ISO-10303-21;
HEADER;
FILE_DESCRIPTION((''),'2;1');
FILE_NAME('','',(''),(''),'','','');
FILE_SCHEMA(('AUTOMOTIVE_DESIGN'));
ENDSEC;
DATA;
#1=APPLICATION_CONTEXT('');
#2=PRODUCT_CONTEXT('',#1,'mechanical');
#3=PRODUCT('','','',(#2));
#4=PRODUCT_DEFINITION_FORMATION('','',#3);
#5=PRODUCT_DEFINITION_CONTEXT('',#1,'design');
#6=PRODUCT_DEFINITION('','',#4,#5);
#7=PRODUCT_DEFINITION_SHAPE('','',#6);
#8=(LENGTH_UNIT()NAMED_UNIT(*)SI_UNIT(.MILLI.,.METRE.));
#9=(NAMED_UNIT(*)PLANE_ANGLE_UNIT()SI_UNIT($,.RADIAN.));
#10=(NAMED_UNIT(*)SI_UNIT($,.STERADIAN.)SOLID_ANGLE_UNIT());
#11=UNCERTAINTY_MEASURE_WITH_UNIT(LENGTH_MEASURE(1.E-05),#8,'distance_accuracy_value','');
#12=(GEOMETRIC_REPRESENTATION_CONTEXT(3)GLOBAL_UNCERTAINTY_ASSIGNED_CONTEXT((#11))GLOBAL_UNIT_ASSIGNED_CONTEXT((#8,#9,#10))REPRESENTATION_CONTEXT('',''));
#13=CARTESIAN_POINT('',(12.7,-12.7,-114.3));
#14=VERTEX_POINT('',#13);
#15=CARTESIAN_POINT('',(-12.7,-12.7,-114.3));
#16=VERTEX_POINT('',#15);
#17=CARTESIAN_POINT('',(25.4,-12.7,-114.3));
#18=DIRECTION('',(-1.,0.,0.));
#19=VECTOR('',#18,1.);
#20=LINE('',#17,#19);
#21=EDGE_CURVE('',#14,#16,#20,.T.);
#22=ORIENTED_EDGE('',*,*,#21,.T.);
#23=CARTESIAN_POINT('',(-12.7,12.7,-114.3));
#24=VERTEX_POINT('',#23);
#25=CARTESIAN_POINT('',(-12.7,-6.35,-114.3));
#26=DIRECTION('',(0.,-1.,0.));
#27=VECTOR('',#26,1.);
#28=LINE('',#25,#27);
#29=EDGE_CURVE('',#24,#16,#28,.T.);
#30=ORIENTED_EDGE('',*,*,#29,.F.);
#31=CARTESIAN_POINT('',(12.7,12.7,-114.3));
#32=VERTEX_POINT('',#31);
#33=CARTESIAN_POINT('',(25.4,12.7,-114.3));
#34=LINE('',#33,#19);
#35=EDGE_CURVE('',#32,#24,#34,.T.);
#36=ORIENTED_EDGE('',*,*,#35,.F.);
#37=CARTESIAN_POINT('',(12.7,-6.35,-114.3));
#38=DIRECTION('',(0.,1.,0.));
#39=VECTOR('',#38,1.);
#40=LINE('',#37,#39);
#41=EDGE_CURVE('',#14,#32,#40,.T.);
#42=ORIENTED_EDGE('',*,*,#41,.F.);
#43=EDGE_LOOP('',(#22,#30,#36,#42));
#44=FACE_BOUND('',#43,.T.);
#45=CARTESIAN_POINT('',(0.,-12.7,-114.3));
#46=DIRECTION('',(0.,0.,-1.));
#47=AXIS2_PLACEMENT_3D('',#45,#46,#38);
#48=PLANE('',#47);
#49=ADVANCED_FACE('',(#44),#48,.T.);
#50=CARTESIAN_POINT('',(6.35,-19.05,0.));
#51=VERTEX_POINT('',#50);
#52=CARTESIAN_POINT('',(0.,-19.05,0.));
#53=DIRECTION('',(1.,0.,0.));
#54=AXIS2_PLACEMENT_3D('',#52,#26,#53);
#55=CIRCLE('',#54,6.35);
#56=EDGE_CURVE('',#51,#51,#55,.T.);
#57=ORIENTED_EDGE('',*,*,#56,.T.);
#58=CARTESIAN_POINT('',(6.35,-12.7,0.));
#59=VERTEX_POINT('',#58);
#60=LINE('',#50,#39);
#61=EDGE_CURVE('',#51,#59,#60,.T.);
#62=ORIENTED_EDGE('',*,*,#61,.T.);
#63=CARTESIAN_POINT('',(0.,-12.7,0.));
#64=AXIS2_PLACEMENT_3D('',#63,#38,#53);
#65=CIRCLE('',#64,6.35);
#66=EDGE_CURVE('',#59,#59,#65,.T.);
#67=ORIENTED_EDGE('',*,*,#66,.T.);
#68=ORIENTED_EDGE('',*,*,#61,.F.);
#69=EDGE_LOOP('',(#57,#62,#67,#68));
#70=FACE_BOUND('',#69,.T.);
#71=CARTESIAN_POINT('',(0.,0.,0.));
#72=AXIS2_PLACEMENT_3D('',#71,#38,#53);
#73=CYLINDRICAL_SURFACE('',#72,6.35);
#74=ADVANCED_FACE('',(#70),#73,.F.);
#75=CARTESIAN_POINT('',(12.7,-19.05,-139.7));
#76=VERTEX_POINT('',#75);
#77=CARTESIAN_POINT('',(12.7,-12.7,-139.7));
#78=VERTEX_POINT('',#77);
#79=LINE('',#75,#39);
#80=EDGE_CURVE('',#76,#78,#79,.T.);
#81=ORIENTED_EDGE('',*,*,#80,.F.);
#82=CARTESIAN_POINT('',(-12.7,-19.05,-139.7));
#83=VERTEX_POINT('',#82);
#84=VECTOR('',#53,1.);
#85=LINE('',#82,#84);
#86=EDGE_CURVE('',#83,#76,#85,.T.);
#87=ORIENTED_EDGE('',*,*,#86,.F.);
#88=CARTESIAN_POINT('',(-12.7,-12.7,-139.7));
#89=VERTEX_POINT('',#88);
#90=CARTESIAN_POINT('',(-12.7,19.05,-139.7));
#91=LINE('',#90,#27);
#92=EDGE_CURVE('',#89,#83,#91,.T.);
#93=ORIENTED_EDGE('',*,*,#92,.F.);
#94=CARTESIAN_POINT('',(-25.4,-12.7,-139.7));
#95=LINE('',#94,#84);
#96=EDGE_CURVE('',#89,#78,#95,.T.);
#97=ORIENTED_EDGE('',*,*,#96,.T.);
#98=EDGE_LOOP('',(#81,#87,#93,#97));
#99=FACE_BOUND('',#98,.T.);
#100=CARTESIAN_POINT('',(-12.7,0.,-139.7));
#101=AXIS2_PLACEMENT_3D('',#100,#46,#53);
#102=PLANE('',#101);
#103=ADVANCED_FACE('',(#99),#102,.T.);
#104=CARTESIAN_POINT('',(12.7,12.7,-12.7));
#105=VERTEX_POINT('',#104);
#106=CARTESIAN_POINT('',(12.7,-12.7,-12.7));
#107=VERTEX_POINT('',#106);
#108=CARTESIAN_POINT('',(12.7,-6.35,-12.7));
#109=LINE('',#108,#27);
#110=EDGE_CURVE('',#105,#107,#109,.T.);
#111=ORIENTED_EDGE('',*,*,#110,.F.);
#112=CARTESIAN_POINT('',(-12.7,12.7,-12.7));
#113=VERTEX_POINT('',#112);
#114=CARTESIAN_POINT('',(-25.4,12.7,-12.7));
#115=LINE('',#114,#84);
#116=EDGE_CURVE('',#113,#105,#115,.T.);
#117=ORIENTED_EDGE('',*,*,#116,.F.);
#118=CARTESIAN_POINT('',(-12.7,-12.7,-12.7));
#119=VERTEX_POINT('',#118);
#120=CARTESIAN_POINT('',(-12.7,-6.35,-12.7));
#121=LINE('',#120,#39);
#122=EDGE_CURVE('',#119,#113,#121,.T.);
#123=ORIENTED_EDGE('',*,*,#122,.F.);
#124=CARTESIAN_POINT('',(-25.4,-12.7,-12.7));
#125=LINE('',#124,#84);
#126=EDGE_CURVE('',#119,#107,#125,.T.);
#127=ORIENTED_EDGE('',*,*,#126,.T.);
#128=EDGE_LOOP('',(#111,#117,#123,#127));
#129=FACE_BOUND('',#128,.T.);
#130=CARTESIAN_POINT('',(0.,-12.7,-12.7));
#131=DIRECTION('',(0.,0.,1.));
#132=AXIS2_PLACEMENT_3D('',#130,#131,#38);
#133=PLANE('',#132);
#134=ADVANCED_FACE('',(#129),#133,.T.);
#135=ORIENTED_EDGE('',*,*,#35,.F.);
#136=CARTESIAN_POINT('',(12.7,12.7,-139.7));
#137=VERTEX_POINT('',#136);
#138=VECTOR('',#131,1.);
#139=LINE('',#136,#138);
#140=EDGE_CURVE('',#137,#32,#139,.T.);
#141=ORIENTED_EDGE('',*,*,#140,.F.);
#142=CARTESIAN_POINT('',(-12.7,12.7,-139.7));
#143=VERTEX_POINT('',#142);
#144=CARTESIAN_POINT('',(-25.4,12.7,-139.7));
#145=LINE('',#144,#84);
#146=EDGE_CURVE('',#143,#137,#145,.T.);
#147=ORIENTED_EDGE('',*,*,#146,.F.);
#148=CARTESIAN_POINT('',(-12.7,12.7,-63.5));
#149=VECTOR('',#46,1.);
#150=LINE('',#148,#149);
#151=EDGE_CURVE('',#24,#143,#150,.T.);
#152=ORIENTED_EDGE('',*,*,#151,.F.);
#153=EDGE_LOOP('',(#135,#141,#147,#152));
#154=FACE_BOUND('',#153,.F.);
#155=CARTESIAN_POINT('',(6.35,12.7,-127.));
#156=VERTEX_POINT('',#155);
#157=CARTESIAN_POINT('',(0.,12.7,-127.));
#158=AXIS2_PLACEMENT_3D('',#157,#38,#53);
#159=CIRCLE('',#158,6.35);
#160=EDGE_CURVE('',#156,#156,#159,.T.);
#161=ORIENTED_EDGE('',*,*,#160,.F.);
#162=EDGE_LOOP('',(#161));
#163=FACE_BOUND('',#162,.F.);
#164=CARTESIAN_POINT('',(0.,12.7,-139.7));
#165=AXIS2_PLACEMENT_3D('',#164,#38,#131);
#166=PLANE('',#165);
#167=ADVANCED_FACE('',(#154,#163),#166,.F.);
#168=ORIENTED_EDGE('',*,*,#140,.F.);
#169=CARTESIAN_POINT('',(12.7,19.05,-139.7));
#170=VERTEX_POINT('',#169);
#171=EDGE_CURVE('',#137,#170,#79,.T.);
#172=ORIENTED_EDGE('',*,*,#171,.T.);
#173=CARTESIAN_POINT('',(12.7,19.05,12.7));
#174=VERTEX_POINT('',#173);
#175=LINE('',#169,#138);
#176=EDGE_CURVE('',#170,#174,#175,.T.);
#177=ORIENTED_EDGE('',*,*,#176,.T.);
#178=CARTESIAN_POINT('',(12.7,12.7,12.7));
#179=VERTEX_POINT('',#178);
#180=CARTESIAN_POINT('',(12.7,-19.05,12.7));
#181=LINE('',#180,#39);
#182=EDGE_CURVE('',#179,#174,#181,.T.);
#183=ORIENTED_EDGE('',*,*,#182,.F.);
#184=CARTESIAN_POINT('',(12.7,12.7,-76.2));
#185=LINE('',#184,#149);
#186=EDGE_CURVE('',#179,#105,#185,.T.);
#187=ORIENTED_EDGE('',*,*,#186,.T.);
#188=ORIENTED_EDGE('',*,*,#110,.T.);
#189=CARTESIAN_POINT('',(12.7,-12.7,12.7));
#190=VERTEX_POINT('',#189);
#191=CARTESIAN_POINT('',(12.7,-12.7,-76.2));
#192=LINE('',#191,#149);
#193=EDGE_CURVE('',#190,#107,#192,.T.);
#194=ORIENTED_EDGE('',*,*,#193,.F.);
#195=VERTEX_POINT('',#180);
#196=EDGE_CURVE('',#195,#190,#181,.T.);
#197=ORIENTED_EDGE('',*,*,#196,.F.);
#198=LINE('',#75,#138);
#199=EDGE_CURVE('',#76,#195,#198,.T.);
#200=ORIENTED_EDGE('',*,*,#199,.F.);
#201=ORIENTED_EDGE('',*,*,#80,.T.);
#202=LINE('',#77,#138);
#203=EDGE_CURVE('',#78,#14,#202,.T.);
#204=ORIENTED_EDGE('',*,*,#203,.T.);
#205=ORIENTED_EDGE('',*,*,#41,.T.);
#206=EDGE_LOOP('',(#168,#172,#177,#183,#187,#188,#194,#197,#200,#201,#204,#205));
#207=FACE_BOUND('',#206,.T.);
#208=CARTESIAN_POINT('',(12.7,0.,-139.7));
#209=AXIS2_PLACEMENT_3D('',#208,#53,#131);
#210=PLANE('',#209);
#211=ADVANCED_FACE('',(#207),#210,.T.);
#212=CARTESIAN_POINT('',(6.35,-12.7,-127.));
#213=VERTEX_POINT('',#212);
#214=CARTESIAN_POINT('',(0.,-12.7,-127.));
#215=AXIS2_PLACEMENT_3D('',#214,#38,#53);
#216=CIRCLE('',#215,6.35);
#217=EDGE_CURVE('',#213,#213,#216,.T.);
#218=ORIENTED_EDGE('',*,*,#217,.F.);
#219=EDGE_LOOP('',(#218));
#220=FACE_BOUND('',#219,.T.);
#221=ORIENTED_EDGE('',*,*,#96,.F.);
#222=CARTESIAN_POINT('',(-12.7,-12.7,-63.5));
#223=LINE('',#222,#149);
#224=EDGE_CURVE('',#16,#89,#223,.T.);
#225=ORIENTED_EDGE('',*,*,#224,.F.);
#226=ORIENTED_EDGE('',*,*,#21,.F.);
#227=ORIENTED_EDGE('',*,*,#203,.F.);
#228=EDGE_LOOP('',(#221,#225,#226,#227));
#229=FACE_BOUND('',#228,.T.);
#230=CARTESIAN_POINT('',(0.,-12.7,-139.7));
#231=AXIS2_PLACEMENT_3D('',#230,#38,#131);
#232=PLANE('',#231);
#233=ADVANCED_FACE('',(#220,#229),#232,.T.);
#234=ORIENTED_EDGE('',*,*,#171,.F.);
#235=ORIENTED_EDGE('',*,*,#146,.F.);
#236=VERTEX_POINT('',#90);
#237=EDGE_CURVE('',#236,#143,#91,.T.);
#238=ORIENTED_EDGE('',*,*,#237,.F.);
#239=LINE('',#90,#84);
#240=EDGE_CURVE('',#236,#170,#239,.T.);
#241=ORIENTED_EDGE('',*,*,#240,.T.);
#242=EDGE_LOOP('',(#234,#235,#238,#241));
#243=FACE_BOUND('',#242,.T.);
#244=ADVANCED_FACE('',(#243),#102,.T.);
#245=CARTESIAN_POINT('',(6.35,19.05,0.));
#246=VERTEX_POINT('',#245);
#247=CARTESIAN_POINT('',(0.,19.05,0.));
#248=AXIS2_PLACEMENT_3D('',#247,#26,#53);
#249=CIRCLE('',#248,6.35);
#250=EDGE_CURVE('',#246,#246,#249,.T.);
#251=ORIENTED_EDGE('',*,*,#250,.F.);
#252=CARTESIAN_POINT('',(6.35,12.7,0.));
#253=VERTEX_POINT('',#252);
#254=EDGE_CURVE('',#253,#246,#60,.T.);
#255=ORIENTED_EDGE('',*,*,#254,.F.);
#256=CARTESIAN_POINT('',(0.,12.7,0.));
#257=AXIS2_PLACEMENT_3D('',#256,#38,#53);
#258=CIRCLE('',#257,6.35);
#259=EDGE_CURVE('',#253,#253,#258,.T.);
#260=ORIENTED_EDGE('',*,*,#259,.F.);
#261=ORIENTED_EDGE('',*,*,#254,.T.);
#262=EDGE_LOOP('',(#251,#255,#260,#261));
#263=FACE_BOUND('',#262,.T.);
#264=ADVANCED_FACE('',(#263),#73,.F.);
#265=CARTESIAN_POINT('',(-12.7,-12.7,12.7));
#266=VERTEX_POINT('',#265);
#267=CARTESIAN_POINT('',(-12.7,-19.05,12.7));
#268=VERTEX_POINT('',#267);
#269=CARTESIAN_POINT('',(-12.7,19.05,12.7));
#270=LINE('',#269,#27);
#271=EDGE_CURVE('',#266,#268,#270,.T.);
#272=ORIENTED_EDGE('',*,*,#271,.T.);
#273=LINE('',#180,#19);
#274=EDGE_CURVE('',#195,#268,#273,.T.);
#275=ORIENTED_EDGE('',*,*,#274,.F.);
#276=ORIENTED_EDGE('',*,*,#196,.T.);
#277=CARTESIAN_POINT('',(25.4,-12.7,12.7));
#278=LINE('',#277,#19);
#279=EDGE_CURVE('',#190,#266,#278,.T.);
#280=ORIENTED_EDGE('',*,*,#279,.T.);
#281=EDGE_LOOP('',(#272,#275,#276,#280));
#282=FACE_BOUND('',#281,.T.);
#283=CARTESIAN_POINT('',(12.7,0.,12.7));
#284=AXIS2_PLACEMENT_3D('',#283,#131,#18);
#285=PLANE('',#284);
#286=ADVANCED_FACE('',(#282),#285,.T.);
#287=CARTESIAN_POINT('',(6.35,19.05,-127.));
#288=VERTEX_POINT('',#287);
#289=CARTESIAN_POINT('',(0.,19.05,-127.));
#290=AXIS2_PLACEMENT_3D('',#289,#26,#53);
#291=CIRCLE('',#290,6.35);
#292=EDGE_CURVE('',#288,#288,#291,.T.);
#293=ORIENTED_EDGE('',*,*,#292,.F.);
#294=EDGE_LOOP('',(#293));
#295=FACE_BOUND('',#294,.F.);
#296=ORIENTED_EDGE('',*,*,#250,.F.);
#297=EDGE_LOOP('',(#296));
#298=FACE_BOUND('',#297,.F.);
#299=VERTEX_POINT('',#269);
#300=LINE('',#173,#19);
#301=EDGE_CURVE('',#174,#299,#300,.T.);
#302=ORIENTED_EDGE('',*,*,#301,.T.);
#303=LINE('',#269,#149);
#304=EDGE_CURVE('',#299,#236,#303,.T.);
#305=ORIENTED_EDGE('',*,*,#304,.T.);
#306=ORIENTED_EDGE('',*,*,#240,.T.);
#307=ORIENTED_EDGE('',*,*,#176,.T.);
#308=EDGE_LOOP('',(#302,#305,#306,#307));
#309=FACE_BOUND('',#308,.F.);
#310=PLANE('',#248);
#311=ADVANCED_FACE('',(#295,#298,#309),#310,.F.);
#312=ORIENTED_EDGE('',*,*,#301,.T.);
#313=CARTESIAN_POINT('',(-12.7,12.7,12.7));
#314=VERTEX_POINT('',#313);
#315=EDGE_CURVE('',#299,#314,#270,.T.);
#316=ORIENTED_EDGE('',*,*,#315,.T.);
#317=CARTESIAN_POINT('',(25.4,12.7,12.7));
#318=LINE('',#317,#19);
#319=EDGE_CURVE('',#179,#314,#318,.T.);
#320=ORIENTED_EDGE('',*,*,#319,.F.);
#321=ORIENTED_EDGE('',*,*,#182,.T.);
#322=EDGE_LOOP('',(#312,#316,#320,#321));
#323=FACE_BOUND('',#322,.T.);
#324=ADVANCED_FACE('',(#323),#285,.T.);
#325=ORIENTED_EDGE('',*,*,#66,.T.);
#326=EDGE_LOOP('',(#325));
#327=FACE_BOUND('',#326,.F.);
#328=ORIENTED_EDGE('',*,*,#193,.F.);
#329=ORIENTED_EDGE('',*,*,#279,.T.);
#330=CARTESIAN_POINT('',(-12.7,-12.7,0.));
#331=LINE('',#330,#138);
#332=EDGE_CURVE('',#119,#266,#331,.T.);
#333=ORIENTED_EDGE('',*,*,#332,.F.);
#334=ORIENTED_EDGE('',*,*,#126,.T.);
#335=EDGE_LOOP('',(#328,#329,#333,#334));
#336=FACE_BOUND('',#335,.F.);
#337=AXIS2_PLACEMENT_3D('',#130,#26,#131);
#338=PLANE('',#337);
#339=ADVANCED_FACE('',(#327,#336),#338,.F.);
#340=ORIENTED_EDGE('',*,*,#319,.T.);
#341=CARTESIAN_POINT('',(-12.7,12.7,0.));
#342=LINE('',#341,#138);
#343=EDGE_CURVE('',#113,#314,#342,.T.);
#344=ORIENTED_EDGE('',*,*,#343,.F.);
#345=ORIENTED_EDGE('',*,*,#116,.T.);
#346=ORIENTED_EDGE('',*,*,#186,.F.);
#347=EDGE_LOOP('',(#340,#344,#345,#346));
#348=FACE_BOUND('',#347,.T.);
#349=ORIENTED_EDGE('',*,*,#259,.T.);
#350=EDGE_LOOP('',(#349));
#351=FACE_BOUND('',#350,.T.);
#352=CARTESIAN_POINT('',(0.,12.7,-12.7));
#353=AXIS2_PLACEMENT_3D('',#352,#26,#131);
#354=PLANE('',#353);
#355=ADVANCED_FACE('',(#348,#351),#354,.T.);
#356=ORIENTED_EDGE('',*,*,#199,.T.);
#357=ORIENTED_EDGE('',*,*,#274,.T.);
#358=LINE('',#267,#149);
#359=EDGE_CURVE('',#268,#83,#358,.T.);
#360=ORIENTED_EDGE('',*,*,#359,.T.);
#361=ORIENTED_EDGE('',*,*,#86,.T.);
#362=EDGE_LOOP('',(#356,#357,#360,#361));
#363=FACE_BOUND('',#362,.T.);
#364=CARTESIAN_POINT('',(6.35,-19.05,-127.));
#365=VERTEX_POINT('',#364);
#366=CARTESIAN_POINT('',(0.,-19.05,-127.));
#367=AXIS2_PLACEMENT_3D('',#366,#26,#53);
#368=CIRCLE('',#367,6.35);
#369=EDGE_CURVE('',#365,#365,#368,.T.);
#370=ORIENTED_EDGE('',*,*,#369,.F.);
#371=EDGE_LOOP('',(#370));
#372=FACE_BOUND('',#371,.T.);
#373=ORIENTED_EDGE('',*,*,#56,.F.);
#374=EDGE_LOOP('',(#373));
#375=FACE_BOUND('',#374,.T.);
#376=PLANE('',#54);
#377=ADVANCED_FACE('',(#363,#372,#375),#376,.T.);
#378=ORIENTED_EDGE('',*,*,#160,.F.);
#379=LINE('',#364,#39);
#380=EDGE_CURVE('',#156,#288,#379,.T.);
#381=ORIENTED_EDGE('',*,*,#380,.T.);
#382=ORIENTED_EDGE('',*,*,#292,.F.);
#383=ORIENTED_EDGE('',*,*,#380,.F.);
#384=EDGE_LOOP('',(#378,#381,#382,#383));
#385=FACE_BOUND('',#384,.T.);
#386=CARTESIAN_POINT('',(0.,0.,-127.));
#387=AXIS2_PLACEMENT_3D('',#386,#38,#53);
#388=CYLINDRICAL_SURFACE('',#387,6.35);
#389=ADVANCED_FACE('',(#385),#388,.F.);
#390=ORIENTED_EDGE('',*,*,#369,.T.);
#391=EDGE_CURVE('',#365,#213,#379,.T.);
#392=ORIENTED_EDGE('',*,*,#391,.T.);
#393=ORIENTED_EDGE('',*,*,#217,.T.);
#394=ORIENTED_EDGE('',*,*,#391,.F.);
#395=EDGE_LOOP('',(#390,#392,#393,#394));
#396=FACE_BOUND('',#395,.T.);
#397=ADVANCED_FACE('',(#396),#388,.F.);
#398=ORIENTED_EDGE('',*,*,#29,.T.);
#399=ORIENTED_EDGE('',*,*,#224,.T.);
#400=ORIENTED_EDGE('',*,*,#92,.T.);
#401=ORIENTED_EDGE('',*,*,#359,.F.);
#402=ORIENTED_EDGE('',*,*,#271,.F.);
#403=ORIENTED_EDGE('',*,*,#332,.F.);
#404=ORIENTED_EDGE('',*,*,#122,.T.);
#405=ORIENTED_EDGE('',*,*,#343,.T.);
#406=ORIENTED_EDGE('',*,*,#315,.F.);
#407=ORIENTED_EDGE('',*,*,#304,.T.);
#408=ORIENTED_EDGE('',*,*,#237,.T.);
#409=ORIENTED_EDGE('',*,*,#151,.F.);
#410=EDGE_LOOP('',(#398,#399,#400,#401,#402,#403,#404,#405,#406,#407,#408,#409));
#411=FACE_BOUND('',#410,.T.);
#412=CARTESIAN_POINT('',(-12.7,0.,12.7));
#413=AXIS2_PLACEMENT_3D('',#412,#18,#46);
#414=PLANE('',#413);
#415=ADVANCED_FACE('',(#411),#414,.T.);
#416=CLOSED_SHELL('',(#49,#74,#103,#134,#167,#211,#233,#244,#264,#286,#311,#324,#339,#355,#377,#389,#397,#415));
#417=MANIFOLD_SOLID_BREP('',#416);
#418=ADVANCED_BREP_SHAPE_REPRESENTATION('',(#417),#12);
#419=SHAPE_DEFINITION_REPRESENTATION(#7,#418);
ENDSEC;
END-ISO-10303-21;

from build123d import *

# Parameters (mm, degrees)
F0_R     = 6.35
F1_DEPTH = 19.05
F2_W     = 25.4
F2_H     = 25.4
F3_DEPTH = 25.4


with BuildPart() as f1:
    # F0 (on Front) → F1 (new body, symmetric)
    with BuildSketch(Plane.XZ):
        with BuildLine():
            ThreePointArc((0, -12.7), (8.9802561211, -8.9802561211), (12.7, 0))
            ThreePointArc((12.7, 0), (8.9802561211, 8.9802561211), (0, 12.7))
            ThreePointArc((0, 12.7), (-8.9802561211, 8.9802561211), (-12.7, 0))
            ThreePointArc((-12.7, 0), (-8.9802561211, -8.9802561211), (0, -12.7))
        make_face()
        Circle(F0_R, mode=Mode.SUBTRACT)
        with BuildLine():
            Line((12.7, -12.7), (12.7, 0))
            ThreePointArc((12.7, 0), (8.9802561211, -8.9802561211), (0, -12.7))
            Line((0, -12.7), (12.7, -12.7))
        make_face()
        with BuildLine():
            ThreePointArc((0, 12.7), (8.9802561211, 8.9802561211), (12.7, 0))
            Line((12.7, 0), (12.7, 12.7))
            Line((12.7, 12.7), (0, 12.7))
        make_face()
        with BuildLine():
            ThreePointArc((-12.7, 0), (-8.9802561211, 8.9802561211), (0, 12.7))
            Line((0, 12.7), (-12.7, 12.7))
            Line((-12.7, 12.7), (-12.7, 0))
        make_face()
        with BuildLine():
            Line((-12.7, -12.7), (0, -12.7))
            ThreePointArc((0, -12.7), (-8.9802561211, -8.9802561211), (-12.7, 0))
            Line((-12.7, 0), (-12.7, -12.7))
        make_face()
        Polygon((12.7, -12.7), (0, -12.7), (-12.7, -12.7), (-12.7, -114.3), (0, -114.3), (12.7, -114.3), align=None)
        with BuildLine():
            Line((12.7, -127), (12.7, -114.3))
            Line((12.7, -114.3), (0, -114.3))
            ThreePointArc((0, -114.3), (8.9802561211, -118.0197438789), (12.7, -127))
        make_face()
        with BuildLine():
            Line((0, -114.3), (-12.7, -114.3))
            Line((-12.7, -114.3), (-12.7, -127))
            ThreePointArc((-12.7, -127), (-8.9802561211, -118.0197438789), (0, -114.3))
        make_face()
        with BuildLine():
            ThreePointArc((0, -139.7), (8.9802561211, -135.9802561211), (12.7, -127))
            ThreePointArc((12.7, -127), (8.9802561211, -118.0197438789), (0, -114.3))
            ThreePointArc((0, -114.3), (-8.9802561211, -118.0197438789), (-12.7, -127))
            ThreePointArc((-12.7, -127), (-8.9802561211, -135.9802561211), (0, -139.7))
        make_face()
        with Locations((0, -127)):
            Circle(F0_R, mode=Mode.SUBTRACT)
        with BuildLine():
            Line((12.7, -139.7), (12.7, -127))
            ThreePointArc((12.7, -127), (8.9802561211, -135.9802561211), (0, -139.7))
            Line((0, -139.7), (12.7, -139.7))
        make_face()
        with BuildLine():
            ThreePointArc((0, -139.7), (-8.9802561211, -135.9802561211), (-12.7, -127))
            Line((-12.7, -127), (-12.7, -139.7))
            Line((-12.7, -139.7), (0, -139.7))
        make_face()
    extrude(amount=F1_DEPTH, both=True)

    # F2 (on Right) → F3 (cut, symmetric)
    with BuildSketch(Plane.YZ):
        Rectangle(F2_W, F2_H)
        with Locations((0, -127)):
            Rectangle(F2_W, F2_H)
    extrude(amount=F3_DEPTH, both=True, mode=Mode.SUBTRACT)


solid = f1.part
